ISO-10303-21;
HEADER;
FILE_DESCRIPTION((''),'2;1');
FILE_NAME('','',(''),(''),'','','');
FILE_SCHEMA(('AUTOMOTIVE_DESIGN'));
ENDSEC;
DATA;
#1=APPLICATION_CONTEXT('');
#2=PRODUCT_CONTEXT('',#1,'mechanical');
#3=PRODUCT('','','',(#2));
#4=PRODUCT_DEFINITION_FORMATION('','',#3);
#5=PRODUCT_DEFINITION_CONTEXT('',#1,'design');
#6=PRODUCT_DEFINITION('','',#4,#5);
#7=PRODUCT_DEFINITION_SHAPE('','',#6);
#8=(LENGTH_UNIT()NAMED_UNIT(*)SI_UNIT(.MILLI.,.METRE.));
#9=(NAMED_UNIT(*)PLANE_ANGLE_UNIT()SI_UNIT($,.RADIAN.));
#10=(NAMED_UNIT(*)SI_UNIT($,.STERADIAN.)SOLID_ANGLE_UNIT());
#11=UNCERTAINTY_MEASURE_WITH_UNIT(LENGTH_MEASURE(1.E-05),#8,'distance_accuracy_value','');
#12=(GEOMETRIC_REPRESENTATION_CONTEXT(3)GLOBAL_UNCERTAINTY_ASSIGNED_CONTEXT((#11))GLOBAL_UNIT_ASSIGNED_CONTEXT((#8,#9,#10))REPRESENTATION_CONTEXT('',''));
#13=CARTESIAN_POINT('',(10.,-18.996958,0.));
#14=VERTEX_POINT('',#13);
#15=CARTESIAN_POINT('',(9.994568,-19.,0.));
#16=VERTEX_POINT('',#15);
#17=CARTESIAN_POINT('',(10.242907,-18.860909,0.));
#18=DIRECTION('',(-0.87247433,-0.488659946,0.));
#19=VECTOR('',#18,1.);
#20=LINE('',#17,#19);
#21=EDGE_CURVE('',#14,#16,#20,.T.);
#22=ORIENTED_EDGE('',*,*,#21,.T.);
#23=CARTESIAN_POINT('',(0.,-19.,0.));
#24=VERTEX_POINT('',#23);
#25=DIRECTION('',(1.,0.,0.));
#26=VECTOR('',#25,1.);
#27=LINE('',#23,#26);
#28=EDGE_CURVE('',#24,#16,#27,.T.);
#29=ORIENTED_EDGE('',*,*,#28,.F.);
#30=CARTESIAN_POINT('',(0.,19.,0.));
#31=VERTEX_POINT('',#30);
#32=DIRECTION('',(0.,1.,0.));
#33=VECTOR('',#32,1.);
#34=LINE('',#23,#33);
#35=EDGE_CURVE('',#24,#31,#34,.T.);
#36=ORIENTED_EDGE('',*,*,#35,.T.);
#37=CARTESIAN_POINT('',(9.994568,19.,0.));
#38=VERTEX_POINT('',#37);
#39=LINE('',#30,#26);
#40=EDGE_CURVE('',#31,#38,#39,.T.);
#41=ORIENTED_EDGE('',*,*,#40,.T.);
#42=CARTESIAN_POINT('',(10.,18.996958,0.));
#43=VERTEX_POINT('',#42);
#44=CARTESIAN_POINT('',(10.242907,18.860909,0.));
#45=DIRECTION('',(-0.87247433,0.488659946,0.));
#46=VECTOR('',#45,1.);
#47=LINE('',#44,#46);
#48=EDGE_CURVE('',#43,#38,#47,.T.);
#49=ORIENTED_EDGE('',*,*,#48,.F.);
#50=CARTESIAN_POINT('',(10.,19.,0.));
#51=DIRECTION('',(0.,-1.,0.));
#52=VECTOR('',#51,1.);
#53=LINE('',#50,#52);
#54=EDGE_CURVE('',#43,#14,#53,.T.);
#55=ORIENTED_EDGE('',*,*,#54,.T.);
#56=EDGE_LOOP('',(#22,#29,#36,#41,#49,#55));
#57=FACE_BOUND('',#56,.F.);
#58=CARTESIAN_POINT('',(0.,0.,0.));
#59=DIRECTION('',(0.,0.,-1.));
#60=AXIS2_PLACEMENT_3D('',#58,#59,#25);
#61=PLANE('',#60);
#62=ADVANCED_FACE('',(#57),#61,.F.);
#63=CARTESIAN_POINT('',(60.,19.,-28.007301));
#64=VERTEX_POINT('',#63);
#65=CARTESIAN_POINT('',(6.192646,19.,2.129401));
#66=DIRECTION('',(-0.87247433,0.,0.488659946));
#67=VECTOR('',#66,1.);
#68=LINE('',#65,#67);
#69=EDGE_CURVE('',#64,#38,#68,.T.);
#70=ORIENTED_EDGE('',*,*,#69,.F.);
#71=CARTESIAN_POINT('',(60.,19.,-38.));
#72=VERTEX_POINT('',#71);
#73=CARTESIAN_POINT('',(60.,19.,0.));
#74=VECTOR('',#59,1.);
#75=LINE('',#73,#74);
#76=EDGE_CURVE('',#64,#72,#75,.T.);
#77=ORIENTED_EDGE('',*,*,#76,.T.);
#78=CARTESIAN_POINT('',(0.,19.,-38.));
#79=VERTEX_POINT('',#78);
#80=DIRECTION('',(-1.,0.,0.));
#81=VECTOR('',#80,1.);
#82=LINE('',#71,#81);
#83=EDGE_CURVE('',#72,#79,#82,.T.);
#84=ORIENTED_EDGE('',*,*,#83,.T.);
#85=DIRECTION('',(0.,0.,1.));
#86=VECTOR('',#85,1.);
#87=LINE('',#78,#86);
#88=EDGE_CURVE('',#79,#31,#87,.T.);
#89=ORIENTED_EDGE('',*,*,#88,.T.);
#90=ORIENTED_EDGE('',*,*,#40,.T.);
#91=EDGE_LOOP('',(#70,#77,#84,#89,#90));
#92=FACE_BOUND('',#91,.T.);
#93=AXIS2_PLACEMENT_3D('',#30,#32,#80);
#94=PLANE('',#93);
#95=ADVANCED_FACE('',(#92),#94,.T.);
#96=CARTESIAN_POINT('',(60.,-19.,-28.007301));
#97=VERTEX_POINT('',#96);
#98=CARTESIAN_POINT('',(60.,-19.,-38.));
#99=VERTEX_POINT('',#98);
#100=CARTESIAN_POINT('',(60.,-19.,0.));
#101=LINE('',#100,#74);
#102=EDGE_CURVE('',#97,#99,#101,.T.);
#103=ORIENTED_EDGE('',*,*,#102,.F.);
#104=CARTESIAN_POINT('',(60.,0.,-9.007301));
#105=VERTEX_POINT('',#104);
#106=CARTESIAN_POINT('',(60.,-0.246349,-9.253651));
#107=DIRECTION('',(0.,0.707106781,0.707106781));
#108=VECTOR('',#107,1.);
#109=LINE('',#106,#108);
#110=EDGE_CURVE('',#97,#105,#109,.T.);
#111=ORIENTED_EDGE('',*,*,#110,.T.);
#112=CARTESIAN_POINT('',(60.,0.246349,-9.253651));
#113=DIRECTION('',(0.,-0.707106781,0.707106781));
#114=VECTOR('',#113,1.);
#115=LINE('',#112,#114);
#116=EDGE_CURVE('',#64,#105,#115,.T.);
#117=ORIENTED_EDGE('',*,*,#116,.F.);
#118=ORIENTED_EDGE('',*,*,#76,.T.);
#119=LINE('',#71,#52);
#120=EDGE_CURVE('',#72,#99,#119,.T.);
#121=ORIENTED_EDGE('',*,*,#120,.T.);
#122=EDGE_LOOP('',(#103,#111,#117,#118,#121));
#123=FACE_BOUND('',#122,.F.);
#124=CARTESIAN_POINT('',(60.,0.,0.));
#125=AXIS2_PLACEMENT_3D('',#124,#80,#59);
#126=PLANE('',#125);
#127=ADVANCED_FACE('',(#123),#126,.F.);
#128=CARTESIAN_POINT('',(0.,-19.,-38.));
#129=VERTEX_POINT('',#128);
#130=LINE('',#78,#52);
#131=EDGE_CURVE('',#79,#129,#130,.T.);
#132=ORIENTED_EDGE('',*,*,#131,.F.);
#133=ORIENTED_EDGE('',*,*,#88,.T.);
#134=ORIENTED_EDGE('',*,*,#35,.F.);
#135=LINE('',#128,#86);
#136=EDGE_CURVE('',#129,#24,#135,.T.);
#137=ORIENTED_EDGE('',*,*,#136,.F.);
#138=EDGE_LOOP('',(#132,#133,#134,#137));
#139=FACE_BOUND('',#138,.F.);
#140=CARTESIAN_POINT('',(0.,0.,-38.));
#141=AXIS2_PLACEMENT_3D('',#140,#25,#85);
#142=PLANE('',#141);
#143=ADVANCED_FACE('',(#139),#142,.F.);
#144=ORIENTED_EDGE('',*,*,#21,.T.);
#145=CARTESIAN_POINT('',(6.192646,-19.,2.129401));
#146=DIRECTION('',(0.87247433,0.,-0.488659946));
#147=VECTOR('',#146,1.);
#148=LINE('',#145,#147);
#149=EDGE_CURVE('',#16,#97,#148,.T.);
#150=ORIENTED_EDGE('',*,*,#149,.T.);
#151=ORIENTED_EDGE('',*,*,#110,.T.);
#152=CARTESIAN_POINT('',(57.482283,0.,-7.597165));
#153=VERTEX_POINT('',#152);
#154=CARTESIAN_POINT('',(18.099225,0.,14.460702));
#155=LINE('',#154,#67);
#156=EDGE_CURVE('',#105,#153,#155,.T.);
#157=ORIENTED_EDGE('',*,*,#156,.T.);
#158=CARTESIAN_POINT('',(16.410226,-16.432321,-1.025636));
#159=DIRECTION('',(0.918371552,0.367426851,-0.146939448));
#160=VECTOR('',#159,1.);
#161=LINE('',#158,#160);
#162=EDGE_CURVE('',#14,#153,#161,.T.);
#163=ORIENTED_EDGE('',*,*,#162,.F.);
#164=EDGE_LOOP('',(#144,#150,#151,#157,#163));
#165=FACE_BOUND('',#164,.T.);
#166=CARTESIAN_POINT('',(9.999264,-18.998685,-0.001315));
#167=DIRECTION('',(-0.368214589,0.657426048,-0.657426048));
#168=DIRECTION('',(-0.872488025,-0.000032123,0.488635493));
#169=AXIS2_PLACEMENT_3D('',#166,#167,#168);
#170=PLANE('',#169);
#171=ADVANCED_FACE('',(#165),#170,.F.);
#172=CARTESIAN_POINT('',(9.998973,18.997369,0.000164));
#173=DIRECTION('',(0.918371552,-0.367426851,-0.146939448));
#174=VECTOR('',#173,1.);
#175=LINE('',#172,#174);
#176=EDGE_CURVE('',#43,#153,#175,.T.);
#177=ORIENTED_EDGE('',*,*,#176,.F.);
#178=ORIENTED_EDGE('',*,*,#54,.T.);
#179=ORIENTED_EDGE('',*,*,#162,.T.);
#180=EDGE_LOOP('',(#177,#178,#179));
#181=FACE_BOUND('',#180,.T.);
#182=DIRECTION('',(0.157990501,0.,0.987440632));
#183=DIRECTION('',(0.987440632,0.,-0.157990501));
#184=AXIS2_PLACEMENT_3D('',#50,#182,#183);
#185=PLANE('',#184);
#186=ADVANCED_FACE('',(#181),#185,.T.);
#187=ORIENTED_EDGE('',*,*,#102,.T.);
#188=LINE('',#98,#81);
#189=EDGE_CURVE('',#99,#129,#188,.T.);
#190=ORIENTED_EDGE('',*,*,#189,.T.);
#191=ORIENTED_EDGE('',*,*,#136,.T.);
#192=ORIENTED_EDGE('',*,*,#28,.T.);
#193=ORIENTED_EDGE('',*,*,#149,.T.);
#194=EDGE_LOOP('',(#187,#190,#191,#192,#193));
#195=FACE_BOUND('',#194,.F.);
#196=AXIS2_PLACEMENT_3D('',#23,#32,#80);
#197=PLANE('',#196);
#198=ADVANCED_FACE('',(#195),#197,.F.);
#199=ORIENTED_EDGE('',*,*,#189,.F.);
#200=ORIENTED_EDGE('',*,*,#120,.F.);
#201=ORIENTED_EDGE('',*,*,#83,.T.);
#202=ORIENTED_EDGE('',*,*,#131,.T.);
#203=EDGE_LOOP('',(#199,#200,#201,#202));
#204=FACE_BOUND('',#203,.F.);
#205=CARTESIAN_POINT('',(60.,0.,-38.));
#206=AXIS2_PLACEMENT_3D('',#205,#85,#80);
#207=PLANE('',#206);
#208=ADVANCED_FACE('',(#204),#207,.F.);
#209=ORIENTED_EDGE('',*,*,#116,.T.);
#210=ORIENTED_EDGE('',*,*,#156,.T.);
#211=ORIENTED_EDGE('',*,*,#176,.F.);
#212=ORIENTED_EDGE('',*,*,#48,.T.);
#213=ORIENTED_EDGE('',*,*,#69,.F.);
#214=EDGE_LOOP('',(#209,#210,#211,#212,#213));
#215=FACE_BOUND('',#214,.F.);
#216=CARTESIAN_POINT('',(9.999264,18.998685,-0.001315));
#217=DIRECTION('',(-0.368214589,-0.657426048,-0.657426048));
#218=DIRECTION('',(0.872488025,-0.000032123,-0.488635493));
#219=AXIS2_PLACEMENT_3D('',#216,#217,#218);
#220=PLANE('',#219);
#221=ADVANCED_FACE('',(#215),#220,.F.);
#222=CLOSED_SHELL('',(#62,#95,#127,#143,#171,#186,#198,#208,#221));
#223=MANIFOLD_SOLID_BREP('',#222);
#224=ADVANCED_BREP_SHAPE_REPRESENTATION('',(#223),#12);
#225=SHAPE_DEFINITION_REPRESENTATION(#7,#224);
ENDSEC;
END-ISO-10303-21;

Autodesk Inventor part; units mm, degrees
ref_plane "YZ Plane" through (0, 0, 0) normal (1, 0, 0) x (0, 1, 0)
ref_plane "XZ Plane" through (0, 0, 0) normal (0, 1, 0) x (-1, 0, 0)
sketch "草圖1" plane through (0, 0, 0) normal (0, 1, 0) x (-1, 0, 0)
  line L0 (0, 0) -> (-60, 0)
  line L1 (-60, 0) -> (-60, -38)
  line L2 (-60, -38) -> (0, -38)
  line L3 (0, -38) -> (0, 0)
  dimension "d0" = 60
  dimension "d1" = 38
extrude "擠出1" add sketch "草圖1" along normal mid plane 38
sketch "草圖2" plane through (0, 19, 0) normal (0, 1, 0) x (1, 0, 0)
  line L0 (0, 0) -> (60, 0) projected
  line L1 (10, 0) -> (60, 8)
  line L2 (60, 0) -> (60, 38) projected
  dimension "d4" = 10
  dimension "d5" = 30
extrude "擠出2" cut sketch "草圖2" against normal blind 40
sketch "草圖3" plane through (60, -19, -38) normal (1, 0, 0) x (0, 0, -1)
  line L0 (-30, 18) -> (-10, 38)
  line L1 (0, 38) -> (-38, 38) projected
  line L2 (-30, 38) -> (-30, 0) projected
  point P0 (-38, 19)
  dimension "d8" = 20
  dimension "d9" = 20
ref_plane "工作平面1" through (10, 19, 0) normal (-0.3682, -0.6574, -0.6574) x (0.8725, 0, -0.4886)
sketch "草圖4" plane through (10, 19, 0) normal (-0.3682, -0.6574, -0.6574) x (0.8725, 0, -0.4886)
  line L0 (-15.1543, -12.3218) -> (93.717, -12.3218)
  line L1 (93.717, -12.3218) -> (93.717, 28.8166)
  line L2 (93.717, 28.8166) -> (-15.1543, 28.8166)
  line L3 (-15.1543, 28.8166) -> (-15.1543, -12.3218)
  point P0 (-8.7251, 11.1044)
extrude "擠出3" cut sketch "草圖4" against normal blind 40
mirror "鏡射1" about plane through (0, 0, 0) normal (0, 1, 0) of "擠出3"
properties part number "28"
